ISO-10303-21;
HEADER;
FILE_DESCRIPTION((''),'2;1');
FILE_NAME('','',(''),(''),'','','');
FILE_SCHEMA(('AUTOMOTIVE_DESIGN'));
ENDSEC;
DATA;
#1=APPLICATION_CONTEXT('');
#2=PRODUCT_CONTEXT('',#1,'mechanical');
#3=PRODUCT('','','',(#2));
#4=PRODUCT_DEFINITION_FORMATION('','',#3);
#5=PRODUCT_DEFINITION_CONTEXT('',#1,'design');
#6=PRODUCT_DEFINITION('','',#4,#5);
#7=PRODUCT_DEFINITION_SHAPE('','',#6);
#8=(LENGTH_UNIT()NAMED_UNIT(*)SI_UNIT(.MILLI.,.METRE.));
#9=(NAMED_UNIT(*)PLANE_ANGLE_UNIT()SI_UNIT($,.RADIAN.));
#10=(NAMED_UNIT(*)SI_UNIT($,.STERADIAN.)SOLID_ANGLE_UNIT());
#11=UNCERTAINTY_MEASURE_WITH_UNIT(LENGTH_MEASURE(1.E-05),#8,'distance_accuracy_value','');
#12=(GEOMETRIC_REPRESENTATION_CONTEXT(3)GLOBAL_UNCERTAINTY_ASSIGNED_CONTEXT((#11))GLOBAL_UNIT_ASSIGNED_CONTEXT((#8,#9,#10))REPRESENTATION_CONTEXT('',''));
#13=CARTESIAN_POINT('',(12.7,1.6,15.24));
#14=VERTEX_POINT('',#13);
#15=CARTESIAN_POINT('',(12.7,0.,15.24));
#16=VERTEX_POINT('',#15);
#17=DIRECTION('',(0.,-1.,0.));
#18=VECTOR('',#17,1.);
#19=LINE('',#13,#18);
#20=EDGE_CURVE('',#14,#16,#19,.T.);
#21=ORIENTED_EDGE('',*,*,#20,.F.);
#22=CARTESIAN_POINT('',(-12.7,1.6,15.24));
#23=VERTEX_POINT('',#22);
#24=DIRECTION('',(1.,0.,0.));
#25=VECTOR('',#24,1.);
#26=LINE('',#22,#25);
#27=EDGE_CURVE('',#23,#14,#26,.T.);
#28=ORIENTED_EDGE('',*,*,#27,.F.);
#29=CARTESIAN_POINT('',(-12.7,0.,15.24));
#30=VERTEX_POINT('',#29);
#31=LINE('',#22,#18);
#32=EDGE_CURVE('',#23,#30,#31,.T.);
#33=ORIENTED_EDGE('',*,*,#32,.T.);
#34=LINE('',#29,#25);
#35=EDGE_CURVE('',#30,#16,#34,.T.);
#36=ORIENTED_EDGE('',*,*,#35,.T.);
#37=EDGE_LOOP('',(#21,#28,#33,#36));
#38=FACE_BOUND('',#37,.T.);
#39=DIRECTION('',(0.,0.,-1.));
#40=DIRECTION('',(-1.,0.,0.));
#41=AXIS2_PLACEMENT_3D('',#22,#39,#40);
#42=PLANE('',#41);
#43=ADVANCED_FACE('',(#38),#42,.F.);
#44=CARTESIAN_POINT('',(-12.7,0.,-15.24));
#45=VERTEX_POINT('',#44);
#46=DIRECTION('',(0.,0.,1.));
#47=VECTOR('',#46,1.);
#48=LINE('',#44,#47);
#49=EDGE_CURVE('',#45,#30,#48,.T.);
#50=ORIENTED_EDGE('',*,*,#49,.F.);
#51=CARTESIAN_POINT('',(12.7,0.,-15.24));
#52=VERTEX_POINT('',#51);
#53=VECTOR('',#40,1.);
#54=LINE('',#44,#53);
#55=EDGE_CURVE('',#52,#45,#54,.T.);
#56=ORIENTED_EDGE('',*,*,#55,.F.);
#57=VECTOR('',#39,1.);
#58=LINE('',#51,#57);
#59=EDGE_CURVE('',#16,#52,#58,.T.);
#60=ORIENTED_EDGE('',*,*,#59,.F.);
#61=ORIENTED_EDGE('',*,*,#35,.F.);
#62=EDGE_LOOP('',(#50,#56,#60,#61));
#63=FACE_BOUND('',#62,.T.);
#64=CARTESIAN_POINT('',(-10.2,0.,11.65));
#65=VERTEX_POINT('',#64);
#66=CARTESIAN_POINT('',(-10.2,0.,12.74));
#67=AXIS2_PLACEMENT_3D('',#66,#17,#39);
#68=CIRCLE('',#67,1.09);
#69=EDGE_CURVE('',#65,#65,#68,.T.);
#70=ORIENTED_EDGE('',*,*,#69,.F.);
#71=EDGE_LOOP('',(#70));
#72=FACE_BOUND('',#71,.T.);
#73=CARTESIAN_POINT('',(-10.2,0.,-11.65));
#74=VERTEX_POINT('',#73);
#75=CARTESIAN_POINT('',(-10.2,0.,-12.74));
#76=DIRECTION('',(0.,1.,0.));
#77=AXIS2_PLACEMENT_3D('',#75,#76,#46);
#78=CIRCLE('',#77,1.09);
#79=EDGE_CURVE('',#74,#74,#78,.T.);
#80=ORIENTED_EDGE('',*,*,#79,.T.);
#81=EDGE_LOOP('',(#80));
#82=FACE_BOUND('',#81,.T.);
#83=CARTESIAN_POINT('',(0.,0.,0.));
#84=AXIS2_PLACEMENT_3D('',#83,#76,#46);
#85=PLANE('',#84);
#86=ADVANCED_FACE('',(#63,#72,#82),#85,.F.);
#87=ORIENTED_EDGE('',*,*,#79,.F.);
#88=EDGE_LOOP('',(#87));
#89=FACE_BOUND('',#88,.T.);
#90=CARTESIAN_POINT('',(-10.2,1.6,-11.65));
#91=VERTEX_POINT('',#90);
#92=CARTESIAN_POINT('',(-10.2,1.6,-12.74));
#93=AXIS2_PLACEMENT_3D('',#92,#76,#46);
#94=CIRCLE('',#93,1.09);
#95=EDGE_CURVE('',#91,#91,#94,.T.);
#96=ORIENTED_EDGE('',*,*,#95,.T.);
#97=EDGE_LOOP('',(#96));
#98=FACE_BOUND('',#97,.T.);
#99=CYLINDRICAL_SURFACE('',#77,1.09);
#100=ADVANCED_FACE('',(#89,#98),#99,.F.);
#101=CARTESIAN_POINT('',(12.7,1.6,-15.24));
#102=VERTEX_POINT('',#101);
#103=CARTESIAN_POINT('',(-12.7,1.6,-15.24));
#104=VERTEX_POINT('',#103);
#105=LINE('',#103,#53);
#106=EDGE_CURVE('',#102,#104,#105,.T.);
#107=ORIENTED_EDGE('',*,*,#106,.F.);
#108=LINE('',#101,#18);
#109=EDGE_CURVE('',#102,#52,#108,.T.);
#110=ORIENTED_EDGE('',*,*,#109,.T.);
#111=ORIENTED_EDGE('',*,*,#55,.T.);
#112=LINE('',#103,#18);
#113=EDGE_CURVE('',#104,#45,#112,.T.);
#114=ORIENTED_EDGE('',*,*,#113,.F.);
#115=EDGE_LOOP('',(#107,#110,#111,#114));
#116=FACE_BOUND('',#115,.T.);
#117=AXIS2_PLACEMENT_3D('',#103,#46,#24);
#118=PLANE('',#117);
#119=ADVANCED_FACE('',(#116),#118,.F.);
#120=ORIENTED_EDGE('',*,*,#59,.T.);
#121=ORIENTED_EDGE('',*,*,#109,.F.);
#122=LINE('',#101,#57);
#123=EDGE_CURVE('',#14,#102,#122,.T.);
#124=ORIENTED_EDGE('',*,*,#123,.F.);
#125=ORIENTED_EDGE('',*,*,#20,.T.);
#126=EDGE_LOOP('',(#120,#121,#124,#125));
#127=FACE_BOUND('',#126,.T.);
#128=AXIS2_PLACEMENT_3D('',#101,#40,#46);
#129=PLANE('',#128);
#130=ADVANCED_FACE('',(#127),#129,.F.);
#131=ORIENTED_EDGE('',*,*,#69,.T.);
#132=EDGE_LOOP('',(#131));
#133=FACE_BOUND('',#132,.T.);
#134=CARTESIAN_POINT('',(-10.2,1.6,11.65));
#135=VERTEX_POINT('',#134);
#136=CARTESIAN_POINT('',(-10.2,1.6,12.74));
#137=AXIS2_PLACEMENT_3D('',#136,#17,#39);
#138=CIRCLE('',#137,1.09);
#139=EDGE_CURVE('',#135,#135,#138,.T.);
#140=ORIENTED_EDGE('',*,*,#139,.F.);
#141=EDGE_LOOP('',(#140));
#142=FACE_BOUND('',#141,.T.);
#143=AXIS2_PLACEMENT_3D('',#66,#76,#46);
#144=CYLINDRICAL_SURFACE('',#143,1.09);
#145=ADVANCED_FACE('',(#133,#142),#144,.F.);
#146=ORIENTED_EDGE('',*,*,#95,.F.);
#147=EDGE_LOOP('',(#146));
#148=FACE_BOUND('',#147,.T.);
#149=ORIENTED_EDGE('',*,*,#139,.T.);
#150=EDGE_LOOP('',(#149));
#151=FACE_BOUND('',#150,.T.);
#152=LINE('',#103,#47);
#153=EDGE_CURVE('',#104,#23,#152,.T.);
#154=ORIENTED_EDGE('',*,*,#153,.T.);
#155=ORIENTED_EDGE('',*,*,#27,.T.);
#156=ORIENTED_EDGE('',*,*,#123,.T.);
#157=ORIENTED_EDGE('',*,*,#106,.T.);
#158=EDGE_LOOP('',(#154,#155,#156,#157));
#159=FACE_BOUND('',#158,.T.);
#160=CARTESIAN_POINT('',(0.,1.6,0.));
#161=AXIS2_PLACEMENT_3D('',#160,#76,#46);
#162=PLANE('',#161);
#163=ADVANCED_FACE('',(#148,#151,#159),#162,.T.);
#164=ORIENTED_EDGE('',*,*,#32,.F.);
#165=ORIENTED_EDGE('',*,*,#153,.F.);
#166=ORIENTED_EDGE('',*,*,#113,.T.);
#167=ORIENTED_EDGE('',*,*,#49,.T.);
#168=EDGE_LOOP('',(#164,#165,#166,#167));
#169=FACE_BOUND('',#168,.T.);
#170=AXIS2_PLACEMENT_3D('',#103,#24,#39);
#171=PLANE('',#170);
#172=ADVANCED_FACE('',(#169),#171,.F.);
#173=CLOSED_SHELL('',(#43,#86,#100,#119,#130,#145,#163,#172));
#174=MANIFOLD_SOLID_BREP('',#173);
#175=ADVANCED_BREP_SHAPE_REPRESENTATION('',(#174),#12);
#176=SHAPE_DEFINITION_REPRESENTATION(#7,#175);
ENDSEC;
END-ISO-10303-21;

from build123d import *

# Parameters (mm, degrees)
SKETCH1_W           = 25.4
SKETCH1_H           = 30.48
BOSS_EXTRUDE1_DEPTH = 1.6
SKETCH2_R           = 1.09
CUT_EXTRUDE1_DEPTH  = 1.6


with BuildPart() as part:
    # Sketch1 → Boss-Extrude1 (new body)
    with BuildSketch(Plane(origin=(0, 0, 0), x_dir=(1, 0, 0), z_dir=(0, 1, 0))):
        Rectangle(SKETCH1_W, SKETCH1_H)
    extrude(amount=BOSS_EXTRUDE1_DEPTH)

    # Sketch2 → Cut-Extrude1 (cut)
    with BuildSketch(Plane(origin=(0, 1.6, 0), x_dir=(1, 0, 0), z_dir=(0, 1, 0))):
        with Locations(Location((-10.2, 12.74, 0), (0, 0, 270))):
            Circle(SKETCH2_R)
    cut_extrude1 = extrude(amount=-CUT_EXTRUDE1_DEPTH, mode=Mode.SUBTRACT)

    # Mirror1: Cut-Extrude1 across plane
    add(cut_extrude1.mirror(Plane.XY), mode=Mode.SUBTRACT)


solid = part.part
